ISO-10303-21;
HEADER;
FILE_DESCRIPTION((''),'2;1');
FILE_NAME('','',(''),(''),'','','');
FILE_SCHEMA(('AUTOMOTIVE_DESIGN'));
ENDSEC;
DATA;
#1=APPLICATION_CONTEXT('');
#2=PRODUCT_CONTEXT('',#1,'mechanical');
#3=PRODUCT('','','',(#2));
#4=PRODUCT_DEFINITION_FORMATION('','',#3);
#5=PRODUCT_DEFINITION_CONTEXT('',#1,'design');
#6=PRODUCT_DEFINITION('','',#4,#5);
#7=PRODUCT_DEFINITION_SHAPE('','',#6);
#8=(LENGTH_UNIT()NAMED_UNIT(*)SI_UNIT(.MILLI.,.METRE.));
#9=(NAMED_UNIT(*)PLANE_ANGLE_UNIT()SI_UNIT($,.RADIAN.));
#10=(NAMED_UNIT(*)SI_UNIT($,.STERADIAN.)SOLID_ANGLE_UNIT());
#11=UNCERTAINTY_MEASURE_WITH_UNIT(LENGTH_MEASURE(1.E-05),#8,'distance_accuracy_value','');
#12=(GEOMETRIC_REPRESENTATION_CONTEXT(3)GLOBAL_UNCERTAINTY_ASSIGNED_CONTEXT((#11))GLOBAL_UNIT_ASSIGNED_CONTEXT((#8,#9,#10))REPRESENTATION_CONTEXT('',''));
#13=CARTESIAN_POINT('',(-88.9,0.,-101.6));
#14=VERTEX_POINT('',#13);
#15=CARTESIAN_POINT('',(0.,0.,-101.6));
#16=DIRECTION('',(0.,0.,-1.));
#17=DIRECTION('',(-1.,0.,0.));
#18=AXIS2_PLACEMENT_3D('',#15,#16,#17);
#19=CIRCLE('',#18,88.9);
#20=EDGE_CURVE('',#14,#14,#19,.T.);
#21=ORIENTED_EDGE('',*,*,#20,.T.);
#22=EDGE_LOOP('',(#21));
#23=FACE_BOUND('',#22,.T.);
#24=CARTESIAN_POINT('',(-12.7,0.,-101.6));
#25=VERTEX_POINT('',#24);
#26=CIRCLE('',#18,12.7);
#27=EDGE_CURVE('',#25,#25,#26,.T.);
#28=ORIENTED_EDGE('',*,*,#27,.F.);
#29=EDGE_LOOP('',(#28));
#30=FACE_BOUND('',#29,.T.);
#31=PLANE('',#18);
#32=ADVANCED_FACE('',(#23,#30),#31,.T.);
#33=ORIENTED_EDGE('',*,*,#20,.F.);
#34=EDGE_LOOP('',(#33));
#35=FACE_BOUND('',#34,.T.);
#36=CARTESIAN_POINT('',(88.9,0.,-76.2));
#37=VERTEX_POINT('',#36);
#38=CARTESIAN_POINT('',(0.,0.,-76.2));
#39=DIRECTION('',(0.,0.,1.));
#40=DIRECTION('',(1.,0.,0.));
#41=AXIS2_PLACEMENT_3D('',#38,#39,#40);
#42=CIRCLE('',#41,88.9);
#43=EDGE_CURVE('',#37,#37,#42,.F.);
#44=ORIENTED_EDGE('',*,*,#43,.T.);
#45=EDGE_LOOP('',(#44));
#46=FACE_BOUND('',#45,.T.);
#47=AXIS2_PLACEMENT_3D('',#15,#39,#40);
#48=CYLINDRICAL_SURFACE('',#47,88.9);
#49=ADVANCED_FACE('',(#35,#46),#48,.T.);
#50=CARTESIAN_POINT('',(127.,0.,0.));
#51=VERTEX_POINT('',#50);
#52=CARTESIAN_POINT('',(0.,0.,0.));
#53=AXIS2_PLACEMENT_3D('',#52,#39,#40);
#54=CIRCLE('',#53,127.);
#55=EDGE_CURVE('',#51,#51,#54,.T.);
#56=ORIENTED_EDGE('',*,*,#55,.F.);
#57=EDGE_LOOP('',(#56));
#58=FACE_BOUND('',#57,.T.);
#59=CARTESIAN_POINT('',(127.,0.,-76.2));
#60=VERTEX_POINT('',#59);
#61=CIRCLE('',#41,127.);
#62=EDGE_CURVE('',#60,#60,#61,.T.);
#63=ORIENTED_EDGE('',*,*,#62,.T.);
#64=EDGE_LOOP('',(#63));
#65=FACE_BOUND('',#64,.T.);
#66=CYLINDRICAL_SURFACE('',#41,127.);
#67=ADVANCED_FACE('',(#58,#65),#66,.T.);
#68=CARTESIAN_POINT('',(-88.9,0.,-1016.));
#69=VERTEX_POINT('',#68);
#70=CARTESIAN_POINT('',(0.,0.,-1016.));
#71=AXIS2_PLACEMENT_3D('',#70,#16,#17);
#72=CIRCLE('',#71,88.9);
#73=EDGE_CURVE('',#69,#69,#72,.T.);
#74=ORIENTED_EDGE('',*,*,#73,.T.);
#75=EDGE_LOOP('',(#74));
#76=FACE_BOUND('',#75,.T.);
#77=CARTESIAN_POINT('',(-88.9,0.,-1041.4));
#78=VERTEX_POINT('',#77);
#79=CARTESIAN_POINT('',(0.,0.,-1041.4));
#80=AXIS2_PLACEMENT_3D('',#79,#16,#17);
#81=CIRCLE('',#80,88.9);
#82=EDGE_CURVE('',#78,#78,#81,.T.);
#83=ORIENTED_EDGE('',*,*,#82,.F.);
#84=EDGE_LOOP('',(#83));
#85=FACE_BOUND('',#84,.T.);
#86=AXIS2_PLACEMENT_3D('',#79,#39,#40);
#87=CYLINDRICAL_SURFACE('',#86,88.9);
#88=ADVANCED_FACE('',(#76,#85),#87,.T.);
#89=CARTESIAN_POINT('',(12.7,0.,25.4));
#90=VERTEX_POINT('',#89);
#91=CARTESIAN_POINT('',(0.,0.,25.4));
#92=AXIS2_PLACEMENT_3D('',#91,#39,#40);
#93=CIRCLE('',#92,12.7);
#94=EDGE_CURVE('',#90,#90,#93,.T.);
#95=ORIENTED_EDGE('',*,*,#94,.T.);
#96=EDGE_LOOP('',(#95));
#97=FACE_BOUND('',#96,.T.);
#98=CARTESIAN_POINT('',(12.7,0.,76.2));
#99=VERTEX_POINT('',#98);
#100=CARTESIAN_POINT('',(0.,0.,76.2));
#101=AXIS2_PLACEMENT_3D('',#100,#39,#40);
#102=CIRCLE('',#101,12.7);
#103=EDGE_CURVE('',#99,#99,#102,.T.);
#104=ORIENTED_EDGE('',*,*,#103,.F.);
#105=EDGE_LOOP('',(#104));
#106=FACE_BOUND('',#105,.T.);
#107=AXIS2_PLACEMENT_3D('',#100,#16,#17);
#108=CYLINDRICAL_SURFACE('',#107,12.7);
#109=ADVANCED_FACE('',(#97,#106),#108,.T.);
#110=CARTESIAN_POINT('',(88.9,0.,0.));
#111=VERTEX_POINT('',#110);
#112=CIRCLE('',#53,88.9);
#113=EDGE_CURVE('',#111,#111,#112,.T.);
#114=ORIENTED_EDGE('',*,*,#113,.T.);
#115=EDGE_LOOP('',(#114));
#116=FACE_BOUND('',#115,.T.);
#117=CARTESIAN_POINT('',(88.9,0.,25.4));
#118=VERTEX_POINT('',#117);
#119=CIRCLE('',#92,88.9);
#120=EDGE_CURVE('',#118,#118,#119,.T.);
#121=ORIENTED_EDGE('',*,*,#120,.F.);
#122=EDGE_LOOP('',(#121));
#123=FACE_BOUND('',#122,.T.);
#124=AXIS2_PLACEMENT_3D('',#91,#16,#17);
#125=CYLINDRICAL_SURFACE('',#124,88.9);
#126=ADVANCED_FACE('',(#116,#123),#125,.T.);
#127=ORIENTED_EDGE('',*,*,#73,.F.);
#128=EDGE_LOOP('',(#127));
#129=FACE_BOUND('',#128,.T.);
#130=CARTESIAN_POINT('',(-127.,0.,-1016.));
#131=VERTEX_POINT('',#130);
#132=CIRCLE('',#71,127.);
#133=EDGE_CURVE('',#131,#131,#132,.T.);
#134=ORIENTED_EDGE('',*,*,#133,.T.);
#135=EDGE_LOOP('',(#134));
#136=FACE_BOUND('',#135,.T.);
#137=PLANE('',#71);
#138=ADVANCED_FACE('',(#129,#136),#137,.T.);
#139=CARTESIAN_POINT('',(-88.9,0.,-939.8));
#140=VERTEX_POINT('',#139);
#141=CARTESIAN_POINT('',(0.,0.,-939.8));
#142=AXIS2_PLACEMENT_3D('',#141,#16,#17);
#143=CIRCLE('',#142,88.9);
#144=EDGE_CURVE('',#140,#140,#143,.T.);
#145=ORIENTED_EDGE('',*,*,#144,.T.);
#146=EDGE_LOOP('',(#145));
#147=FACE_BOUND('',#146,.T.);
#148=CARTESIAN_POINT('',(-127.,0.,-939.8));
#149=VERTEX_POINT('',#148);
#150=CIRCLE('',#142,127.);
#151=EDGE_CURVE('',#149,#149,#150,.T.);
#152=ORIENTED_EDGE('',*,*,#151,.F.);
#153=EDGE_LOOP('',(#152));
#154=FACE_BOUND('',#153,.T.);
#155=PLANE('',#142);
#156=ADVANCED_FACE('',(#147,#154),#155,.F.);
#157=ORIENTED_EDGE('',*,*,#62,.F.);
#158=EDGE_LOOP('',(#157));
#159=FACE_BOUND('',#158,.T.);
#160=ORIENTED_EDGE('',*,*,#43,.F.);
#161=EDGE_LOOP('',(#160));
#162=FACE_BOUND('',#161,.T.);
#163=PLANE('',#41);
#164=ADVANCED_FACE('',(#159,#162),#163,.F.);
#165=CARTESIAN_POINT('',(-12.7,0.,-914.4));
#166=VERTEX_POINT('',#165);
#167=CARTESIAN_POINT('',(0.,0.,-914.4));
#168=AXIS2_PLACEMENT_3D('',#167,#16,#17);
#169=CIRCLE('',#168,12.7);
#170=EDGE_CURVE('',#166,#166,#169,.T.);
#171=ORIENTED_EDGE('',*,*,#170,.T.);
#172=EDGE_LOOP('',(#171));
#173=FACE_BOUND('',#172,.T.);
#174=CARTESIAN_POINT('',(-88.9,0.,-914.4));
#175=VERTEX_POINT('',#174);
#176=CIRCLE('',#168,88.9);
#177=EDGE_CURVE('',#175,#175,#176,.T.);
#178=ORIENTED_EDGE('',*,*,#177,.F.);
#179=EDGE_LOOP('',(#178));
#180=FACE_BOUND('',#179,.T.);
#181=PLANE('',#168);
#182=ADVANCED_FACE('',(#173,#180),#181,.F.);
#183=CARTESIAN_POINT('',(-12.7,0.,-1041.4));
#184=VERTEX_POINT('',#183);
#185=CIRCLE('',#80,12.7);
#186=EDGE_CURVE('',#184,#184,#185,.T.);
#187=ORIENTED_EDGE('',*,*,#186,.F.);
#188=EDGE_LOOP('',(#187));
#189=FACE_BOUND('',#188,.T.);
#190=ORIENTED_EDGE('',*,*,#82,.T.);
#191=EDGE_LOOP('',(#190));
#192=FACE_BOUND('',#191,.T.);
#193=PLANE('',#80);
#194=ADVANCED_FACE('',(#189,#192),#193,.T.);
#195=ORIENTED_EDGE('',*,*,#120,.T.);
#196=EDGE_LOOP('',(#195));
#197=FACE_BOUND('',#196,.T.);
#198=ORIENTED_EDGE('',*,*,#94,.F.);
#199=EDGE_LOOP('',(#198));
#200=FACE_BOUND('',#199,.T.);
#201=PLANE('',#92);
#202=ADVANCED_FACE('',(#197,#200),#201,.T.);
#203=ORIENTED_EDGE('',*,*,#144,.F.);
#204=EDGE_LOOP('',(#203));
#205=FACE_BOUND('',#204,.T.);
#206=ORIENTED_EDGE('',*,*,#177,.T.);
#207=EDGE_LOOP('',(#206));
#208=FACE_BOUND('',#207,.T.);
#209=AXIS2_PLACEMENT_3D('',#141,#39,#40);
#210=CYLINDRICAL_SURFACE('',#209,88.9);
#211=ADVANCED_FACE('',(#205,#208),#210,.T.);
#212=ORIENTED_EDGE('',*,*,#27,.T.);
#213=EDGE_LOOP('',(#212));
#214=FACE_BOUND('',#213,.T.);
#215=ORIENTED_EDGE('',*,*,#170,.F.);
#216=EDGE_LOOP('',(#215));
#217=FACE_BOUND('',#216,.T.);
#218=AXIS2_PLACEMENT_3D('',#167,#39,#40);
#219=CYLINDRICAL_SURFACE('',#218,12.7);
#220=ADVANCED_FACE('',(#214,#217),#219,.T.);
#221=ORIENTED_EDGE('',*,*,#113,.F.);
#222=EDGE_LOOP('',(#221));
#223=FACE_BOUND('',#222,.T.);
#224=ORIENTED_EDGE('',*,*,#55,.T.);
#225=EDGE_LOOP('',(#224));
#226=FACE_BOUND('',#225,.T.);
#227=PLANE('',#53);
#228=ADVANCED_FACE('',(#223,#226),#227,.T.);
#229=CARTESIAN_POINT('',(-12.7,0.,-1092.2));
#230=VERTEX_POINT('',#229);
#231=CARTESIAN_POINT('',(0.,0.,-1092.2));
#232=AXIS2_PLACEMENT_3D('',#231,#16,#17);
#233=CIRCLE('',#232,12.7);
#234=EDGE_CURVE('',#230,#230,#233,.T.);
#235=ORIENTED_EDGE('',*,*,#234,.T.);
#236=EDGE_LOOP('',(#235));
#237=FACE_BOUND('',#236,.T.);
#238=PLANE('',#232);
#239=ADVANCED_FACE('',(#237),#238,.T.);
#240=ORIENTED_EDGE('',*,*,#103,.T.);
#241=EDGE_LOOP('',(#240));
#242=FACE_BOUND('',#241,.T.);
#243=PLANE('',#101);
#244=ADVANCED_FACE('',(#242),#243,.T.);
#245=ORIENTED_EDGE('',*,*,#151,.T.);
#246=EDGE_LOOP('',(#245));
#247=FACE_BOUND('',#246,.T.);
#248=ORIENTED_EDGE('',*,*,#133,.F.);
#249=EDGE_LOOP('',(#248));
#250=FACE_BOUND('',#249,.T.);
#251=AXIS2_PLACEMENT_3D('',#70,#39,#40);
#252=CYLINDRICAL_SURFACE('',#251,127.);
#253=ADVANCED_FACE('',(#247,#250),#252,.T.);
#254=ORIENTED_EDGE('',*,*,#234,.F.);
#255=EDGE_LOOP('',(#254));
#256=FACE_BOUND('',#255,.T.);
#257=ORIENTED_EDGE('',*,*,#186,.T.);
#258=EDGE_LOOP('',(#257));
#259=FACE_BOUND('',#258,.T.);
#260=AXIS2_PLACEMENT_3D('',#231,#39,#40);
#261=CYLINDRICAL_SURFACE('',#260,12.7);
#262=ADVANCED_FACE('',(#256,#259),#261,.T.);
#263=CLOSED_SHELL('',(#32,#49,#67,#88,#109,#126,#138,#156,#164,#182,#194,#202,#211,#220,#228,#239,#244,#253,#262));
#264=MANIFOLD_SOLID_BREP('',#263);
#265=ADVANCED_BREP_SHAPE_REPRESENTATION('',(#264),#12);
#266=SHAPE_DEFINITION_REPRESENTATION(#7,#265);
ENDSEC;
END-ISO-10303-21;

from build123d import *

# Parameters (mm, degrees)
SKETCH1_R           = 127
BOSS_EXTRUDE1_DEPTH = 76.2
SKETCH2_R           = 88.9
BOSS_EXTRUDE2_DEPTH = 25.4
SKETCH3_R           = 12.7
BOSS_EXTRUDE3_DEPTH = 50.8
SKETCH4_R           = 88.9
BOSS_EXTRUDE4_DEPTH = 25.4
SKETCH6_R           = 12.7
BOSS_EXTRUDE5_DEPTH = 812.8
SKETCH7_R           = 88.9
BOSS_EXTRUDE6_DEPTH = 25.4
SKETCH8_R           = 127
BOSS_EXTRUDE7_DEPTH = 76.2
SKETCH9_R           = 88.9
BOSS_EXTRUDE8_DEPTH = 25.4
SKETCH10_R          = 12.7
BOSS_EXTRUDE9_DEPTH = 50.8


with BuildPart() as part:
    # Sketch1 → Boss-Extrude1 (new body)
    with BuildSketch(Plane.XY):
        Circle(SKETCH1_R)
    extrude(amount=-BOSS_EXTRUDE1_DEPTH)

    # Sketch2 → Boss-Extrude2 (add)
    with BuildSketch(Plane.XY):
        Circle(SKETCH2_R)
    extrude(amount=BOSS_EXTRUDE2_DEPTH)

    # Sketch3 → Boss-Extrude3 (add)
    with BuildSketch(Plane.XY.offset(25.4)):
        Circle(SKETCH3_R)
    extrude(amount=BOSS_EXTRUDE3_DEPTH)

    # Sketch4 → Boss-Extrude4 (add)
    with BuildSketch(Plane(origin=(0, 0, -76.2), x_dir=(-1, 0, 0), z_dir=(0, 0, -1))):
        Circle(SKETCH4_R)
    extrude(amount=BOSS_EXTRUDE4_DEPTH)

    # Sketch6 → Boss-Extrude5 (add)
    with BuildSketch(Plane(origin=(0, 0, -101.6), x_dir=(-1, 0, 0), z_dir=(0, 0, -1))):
        Circle(SKETCH6_R)
    extrude(amount=BOSS_EXTRUDE5_DEPTH)

    # Sketch7 → Boss-Extrude6 (add)
    with BuildSketch(Plane(origin=(0, 0, -914.4), x_dir=(-1, 0, 0), z_dir=(0, 0, -1))):
        Circle(SKETCH7_R)
    extrude(amount=BOSS_EXTRUDE6_DEPTH)

    # Sketch8 → Boss-Extrude7 (add)
    with BuildSketch(Plane(origin=(0, 0, -939.8), x_dir=(-1, 0, 0), z_dir=(0, 0, -1))):
        Circle(SKETCH8_R)
    extrude(amount=BOSS_EXTRUDE7_DEPTH)

    # Sketch9 → Boss-Extrude8 (add)
    with BuildSketch(Plane(origin=(0, 0, -1016), x_dir=(-1, 0, 0), z_dir=(0, 0, -1))):
        Circle(SKETCH9_R)
    extrude(amount=BOSS_EXTRUDE8_DEPTH)

    # Sketch10 → Boss-Extrude9 (add)
    with BuildSketch(Plane(origin=(0, 0, -1041.4), x_dir=(-1, 0, 0), z_dir=(0, 0, -1))):
        Circle(SKETCH10_R)
    extrude(amount=BOSS_EXTRUDE9_DEPTH)


solid = part.part
